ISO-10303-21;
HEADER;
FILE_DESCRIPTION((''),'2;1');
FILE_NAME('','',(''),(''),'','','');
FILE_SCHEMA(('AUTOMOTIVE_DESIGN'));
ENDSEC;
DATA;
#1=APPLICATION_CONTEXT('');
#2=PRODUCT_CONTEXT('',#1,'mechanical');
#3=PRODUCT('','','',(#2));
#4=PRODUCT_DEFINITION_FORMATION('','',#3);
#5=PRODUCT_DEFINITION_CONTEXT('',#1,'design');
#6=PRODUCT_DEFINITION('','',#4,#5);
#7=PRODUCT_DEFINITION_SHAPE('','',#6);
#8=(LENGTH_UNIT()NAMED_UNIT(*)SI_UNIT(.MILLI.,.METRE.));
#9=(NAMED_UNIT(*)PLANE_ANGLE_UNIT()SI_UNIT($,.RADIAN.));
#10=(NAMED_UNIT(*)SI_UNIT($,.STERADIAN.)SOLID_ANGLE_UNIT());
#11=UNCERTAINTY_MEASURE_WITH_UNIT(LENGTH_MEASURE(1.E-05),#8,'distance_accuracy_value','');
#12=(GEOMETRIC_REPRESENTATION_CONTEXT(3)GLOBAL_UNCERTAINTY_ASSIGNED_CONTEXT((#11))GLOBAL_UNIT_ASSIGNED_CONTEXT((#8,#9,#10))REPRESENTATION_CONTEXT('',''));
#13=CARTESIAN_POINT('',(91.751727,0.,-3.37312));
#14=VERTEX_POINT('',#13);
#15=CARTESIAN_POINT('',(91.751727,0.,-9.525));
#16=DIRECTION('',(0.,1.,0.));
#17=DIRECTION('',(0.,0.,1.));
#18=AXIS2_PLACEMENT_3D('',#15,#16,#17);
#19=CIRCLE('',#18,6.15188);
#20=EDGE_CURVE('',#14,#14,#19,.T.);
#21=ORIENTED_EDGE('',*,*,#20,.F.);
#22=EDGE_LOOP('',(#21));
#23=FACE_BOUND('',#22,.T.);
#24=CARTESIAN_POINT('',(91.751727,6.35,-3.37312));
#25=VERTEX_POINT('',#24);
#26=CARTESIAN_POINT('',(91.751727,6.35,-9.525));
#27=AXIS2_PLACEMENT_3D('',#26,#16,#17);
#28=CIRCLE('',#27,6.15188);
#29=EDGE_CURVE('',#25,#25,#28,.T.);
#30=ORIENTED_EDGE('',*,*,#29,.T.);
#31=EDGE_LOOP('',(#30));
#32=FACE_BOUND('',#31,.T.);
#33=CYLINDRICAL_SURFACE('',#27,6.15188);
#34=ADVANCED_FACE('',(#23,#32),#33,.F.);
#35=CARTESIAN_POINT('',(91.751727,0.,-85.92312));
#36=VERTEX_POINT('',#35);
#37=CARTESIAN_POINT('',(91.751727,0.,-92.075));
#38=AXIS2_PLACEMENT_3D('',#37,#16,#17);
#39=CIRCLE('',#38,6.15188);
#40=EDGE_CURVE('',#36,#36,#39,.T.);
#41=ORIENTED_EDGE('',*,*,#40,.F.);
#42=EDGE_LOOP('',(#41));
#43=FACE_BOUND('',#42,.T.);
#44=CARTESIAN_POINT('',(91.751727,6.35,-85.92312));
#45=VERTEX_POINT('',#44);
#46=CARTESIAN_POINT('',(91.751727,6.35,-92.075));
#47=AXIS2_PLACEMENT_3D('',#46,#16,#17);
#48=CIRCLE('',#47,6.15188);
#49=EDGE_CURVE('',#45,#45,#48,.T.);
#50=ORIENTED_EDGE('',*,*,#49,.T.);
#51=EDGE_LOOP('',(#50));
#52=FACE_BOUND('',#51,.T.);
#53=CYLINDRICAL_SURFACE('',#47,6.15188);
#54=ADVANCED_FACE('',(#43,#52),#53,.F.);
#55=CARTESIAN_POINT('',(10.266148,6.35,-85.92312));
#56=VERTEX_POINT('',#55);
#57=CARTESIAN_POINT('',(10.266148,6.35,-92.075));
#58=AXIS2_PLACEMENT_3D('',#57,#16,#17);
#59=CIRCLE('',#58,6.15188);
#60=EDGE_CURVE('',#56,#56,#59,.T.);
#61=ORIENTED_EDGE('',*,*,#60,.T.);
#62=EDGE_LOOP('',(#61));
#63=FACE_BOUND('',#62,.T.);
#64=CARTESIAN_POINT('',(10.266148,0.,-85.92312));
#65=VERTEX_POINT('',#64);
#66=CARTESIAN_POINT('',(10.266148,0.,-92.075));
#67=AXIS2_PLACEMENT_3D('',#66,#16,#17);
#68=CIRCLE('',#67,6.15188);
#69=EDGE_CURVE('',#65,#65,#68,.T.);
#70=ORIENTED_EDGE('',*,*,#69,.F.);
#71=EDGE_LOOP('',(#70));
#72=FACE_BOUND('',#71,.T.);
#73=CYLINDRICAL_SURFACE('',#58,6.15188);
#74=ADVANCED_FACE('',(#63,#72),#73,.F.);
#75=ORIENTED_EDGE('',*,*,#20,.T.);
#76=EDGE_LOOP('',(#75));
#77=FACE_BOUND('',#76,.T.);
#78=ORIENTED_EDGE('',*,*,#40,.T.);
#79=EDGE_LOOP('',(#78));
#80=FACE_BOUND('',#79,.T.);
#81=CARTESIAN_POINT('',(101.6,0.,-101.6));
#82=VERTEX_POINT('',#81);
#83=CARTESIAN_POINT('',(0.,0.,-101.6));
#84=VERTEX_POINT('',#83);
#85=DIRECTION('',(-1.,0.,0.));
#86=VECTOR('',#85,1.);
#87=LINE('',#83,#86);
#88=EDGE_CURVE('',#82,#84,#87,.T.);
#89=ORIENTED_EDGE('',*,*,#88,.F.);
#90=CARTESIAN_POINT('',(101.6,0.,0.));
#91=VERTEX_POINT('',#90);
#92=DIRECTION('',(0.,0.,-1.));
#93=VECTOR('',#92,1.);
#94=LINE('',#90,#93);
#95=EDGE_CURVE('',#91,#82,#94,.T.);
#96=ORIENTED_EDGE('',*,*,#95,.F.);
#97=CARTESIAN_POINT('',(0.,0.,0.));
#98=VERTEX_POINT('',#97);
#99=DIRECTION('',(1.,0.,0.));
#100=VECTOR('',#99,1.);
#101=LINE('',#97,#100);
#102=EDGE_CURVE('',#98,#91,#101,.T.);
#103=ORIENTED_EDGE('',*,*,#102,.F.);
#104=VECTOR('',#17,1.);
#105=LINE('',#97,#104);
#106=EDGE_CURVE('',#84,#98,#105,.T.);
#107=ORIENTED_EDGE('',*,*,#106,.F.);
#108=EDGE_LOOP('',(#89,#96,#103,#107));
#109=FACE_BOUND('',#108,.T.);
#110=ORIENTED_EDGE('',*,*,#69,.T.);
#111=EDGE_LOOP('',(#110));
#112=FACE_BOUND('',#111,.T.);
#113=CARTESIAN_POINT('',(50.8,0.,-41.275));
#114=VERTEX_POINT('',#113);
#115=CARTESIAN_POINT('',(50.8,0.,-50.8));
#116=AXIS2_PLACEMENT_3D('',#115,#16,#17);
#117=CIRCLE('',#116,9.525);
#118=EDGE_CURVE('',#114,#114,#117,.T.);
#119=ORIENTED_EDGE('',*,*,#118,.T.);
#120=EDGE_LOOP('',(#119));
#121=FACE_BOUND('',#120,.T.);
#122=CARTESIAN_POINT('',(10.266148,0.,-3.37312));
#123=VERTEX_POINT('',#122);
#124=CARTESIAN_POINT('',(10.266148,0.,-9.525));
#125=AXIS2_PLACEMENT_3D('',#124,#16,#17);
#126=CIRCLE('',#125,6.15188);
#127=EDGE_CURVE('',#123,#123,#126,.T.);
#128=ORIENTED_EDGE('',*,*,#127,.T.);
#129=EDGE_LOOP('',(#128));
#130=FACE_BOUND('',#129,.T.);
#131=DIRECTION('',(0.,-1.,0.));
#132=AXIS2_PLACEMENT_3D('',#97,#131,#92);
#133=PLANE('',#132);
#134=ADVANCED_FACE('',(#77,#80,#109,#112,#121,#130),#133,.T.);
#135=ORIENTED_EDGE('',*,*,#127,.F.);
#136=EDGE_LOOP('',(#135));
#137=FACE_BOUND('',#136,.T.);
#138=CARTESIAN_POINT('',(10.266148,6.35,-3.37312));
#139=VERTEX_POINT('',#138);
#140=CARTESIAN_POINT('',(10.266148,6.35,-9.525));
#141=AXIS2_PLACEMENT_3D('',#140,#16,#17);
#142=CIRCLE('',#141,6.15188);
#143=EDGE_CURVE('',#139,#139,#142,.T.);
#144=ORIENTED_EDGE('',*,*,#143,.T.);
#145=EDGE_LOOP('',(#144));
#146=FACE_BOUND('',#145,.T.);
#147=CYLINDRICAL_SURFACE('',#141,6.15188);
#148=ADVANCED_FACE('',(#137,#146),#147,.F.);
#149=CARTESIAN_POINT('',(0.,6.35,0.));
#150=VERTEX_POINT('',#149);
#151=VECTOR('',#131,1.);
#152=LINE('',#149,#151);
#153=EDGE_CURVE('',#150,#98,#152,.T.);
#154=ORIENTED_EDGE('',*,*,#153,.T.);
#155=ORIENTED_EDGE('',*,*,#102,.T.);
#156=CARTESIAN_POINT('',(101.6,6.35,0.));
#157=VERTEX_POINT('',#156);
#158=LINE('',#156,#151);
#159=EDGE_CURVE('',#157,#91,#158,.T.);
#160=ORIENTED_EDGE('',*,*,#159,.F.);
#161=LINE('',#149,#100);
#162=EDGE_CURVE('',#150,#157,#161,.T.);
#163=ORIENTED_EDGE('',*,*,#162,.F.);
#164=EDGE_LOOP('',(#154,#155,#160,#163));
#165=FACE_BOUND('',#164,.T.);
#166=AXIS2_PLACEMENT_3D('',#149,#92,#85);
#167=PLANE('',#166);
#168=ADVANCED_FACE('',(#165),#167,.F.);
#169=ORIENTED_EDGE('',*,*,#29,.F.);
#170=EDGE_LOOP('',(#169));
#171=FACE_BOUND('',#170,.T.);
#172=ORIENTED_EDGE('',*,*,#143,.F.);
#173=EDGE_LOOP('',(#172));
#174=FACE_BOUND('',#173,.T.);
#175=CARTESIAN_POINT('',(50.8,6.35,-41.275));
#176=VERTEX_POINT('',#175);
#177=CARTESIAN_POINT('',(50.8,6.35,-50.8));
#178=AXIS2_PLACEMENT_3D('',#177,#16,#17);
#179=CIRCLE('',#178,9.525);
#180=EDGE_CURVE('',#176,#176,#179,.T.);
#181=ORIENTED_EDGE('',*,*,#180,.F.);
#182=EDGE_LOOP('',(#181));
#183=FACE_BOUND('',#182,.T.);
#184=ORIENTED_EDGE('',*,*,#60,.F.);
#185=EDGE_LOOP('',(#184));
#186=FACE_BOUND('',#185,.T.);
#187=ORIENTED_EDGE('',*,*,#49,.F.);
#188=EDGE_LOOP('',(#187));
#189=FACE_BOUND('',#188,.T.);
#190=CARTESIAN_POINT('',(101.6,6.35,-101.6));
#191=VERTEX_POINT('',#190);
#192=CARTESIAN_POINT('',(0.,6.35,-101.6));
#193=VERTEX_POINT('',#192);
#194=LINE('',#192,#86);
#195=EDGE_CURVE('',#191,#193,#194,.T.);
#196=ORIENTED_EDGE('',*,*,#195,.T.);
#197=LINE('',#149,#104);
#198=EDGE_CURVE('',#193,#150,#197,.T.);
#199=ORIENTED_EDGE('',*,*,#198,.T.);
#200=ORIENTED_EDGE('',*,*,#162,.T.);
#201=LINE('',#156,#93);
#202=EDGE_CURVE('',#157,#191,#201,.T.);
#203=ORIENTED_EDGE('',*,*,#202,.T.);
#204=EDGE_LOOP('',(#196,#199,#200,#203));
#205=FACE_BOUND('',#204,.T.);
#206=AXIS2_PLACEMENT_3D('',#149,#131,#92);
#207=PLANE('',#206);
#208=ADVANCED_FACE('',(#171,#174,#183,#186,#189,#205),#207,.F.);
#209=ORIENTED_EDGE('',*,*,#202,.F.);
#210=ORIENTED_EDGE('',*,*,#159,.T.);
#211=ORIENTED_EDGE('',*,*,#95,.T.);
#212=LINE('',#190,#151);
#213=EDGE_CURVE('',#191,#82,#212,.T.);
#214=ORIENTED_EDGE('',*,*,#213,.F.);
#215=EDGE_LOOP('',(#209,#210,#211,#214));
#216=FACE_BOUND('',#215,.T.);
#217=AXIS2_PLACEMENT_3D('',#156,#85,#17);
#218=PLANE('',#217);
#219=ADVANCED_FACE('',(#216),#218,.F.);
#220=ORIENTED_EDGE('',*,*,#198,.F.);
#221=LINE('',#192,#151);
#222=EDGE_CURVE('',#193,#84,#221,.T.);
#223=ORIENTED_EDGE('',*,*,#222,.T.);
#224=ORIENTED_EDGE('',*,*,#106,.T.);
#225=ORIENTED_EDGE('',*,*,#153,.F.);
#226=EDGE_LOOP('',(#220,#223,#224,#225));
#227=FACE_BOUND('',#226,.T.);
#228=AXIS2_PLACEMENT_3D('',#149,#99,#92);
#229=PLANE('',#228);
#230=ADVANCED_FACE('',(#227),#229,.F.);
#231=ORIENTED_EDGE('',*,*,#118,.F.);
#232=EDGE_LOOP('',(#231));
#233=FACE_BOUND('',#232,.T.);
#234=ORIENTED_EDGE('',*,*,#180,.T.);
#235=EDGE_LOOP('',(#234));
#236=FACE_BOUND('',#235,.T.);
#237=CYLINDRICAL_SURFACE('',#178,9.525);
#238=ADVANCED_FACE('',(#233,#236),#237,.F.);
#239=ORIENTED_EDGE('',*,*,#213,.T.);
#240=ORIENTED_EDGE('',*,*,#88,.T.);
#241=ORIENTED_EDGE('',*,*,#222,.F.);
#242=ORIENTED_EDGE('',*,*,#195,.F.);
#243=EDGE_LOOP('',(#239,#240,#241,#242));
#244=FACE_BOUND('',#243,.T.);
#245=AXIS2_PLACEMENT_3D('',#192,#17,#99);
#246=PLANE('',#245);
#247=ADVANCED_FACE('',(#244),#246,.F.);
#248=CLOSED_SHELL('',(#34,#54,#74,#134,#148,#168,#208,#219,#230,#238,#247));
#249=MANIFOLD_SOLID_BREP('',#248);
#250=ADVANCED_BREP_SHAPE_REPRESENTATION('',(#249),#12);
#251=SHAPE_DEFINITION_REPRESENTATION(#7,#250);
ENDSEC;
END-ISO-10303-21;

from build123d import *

# Parameters (mm, degrees)
SKETCH1_W                   = 101.6
SKETCH1_H                   = 101.6
BOSS_EXTRUDE1_DEPTH         = 6.35
F_9_16_12_TAPPED_HOLE1_D    = 12.30376
F_3_4_0_75_DIAMETER_HOLE1_D = 19.05


with BuildPart() as part:
    # Sketch1 → Boss-Extrude1 (new body)
    with BuildSketch(Plane(origin=(0, 0, 0), x_dir=(1, 0, 0), z_dir=(0, 1, 0))):
        with Locations((50.8, 50.8)):
            Rectangle(SKETCH1_W, SKETCH1_H)
    extrude(amount=BOSS_EXTRUDE1_DEPTH)

    # 9/16-12 Tapped Hole1 (through all)
    with Locations(Plane(origin=(0, 6.35, 0), x_dir=(1, 0, 0), z_dir=(0, 1, 0))):
        with Locations((10.266147992, 92.075), (91.751726771, 9.525), (91.751726771, 92.075), (10.266147992, 9.525)):
            Hole(F_9_16_12_TAPPED_HOLE1_D / 2)

    # 3/4 (0.75) Diameter Hole1 (through all)
    with Locations(Plane(origin=(0, 6.35, 0), x_dir=(1, 0, 0), z_dir=(0, 1, 0))):
        with Locations((50.8, 50.8)):
            Hole(F_3_4_0_75_DIAMETER_HOLE1_D / 2)


solid = part.part
